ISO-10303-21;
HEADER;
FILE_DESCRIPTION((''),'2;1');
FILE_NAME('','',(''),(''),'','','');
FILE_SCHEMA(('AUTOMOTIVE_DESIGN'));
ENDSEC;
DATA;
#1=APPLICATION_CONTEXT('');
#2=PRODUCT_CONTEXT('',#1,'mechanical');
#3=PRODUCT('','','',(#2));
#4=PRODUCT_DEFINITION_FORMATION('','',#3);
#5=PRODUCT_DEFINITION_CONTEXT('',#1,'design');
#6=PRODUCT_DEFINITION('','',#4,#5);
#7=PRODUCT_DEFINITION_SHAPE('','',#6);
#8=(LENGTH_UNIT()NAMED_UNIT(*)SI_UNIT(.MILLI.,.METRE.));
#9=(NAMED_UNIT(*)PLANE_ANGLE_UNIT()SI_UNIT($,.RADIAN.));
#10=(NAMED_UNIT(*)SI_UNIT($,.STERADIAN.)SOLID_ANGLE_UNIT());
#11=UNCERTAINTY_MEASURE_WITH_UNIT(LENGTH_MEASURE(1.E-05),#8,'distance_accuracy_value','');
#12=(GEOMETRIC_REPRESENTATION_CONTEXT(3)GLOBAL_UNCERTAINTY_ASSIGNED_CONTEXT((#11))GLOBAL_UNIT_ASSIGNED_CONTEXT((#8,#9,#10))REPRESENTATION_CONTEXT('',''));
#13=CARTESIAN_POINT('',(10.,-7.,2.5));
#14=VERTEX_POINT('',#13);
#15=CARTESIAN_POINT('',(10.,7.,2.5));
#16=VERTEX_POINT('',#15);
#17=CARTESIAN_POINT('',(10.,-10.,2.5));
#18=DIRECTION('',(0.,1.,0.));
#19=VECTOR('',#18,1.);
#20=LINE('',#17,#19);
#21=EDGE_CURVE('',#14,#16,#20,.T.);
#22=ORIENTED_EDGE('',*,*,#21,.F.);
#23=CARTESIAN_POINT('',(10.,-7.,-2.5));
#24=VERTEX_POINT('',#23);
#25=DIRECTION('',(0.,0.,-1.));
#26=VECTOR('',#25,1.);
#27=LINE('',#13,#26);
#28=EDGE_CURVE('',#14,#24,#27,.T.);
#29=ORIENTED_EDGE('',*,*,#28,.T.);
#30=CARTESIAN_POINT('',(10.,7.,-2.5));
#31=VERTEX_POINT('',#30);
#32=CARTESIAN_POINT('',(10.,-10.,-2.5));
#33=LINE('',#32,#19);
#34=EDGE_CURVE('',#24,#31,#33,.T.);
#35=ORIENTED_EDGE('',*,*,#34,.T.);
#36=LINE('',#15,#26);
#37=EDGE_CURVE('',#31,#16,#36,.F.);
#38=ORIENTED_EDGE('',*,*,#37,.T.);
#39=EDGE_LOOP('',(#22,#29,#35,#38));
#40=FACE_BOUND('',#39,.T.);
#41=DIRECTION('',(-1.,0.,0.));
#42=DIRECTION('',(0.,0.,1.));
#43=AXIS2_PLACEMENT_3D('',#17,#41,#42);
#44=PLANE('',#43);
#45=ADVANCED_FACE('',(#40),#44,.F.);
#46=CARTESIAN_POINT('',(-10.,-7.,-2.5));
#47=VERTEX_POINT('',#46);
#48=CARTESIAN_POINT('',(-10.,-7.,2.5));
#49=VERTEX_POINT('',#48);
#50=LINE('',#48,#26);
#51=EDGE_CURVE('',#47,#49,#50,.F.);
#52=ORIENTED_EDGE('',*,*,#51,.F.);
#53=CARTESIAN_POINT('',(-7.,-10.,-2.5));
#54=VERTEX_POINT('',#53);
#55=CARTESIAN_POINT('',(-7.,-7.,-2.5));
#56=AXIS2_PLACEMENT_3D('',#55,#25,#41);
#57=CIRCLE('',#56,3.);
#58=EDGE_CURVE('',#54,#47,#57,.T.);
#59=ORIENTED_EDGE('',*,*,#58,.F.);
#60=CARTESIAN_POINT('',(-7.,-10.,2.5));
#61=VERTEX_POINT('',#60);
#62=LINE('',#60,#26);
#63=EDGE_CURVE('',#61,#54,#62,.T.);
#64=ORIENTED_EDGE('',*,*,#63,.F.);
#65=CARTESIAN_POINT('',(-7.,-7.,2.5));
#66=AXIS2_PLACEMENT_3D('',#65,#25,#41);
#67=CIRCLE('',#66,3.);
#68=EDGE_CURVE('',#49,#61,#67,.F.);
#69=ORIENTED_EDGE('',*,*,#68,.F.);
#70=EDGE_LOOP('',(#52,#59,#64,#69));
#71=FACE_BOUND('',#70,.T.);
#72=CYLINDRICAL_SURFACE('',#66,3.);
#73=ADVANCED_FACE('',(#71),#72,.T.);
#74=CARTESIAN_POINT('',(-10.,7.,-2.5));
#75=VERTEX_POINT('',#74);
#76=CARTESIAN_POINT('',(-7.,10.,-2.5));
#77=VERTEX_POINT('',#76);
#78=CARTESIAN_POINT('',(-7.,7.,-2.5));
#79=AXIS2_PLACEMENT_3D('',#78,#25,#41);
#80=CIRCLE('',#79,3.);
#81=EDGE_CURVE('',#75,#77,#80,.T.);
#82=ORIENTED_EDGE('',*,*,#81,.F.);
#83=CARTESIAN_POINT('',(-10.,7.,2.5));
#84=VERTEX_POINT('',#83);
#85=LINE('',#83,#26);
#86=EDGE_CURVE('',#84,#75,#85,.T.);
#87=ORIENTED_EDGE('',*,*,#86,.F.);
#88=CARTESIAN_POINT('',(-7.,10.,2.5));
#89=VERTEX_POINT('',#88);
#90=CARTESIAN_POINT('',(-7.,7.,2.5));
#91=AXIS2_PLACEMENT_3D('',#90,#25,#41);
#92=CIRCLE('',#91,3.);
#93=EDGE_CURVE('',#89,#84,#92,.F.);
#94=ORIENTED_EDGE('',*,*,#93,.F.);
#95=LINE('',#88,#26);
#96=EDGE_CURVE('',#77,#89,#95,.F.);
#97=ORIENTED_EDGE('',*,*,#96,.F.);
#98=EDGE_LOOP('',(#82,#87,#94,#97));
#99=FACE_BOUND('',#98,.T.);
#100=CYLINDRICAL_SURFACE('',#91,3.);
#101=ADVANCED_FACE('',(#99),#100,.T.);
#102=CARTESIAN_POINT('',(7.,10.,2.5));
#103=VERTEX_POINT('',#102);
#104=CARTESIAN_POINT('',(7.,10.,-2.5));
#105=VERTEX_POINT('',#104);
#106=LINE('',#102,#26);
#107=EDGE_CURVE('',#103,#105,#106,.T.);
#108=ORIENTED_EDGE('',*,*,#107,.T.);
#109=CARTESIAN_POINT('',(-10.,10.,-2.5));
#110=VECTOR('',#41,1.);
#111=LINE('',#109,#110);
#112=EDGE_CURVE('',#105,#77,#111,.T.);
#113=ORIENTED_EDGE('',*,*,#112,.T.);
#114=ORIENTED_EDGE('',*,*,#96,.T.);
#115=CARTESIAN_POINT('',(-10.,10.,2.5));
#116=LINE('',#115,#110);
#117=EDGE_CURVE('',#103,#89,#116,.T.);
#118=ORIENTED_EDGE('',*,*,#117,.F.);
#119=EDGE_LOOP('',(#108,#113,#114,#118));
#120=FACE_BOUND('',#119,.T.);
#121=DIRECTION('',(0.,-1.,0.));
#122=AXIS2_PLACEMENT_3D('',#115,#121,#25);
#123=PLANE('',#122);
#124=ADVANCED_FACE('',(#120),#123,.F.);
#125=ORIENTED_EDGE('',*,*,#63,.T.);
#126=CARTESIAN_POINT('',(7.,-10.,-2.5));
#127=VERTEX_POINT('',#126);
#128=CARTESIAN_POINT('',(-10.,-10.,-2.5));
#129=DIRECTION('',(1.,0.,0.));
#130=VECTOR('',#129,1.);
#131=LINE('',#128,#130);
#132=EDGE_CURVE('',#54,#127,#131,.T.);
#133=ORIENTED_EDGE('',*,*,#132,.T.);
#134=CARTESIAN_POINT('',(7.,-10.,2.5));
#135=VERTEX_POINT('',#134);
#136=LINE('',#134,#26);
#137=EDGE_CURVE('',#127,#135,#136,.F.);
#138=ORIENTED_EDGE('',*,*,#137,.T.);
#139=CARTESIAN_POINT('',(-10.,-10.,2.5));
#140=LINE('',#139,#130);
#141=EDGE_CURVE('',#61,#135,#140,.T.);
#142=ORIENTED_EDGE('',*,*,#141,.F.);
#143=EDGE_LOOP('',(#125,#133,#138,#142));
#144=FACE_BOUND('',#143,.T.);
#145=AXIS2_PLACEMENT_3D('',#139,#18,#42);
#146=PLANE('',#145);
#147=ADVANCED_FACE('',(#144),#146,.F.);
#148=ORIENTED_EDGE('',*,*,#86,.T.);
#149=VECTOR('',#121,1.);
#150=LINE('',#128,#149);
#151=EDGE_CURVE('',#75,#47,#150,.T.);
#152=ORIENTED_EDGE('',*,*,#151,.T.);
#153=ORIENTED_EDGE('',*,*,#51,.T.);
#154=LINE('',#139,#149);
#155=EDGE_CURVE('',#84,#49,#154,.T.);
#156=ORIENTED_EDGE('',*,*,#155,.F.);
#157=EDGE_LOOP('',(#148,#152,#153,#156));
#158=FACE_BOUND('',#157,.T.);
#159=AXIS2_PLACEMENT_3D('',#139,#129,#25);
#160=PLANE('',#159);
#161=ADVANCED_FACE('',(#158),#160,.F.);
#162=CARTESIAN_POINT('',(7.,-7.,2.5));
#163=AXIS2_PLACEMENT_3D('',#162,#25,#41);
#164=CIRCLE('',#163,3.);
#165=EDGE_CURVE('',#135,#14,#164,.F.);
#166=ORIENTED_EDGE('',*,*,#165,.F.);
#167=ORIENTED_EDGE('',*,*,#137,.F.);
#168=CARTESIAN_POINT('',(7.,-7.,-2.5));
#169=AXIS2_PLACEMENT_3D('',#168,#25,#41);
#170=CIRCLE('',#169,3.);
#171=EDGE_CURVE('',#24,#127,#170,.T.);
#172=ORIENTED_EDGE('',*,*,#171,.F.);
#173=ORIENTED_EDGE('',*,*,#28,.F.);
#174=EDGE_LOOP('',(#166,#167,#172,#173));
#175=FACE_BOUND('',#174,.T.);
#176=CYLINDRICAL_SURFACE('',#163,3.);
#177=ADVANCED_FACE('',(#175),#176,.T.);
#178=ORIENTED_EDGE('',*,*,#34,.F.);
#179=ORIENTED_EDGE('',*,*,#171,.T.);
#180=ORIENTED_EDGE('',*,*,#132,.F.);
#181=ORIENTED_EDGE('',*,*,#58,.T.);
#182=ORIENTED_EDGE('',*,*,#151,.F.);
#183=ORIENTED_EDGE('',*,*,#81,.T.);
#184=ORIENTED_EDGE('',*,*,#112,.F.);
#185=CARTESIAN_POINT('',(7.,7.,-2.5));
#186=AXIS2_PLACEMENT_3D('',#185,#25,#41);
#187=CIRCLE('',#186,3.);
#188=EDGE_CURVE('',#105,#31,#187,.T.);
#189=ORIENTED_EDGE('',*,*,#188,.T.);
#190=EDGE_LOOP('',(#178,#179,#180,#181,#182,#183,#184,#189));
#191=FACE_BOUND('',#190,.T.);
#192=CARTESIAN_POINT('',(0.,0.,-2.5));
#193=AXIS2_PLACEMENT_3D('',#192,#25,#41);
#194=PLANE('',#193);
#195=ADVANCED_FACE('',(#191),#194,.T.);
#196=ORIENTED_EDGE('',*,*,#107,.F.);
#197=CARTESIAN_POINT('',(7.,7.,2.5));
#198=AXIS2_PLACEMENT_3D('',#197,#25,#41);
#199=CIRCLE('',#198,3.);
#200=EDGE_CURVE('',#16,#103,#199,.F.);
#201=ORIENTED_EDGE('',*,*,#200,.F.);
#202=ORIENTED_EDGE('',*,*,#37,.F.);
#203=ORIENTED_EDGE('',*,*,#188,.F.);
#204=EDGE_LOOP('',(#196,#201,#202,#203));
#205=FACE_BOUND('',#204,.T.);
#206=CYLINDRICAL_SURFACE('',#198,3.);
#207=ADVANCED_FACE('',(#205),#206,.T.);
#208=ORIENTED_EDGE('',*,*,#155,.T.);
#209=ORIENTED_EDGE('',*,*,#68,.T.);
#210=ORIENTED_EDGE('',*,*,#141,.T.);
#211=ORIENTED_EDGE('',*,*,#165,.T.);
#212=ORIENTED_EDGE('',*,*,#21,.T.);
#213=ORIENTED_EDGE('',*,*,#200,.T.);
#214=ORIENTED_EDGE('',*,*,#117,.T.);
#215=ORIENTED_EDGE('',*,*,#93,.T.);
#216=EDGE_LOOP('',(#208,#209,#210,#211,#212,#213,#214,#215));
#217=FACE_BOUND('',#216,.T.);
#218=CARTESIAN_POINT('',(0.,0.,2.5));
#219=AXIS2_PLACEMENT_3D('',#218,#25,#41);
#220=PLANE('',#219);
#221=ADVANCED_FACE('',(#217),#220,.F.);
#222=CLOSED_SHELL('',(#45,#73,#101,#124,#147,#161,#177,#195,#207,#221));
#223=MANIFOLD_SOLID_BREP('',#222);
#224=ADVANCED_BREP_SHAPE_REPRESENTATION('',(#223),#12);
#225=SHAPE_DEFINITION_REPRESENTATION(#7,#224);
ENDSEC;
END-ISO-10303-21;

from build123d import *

# Parameters (mm, degrees)
SKETCH1_W           = 20
SKETCH1_H           = 20
BOSS_EXTRUDE1_DEPTH = 2.5
FILLET1_R           = 3


with BuildPart() as part:
    # Sketch1 → Boss-Extrude1 (new, symmetric)
    with BuildSketch(Plane.XY):
        Rectangle(SKETCH1_W, SKETCH1_H)
    extrude(amount=BOSS_EXTRUDE1_DEPTH, both=True)

    # Fillet1
    fillet1_edges = [part.edges().sort_by_distance(p)[0] for p in [
        (10, -10, 0),
        (-10, -10, 0),
        (-10, 10, 0),
        (10, 10, 0),
    ]]
    fillet(fillet1_edges, radius=FILLET1_R)


solid = part.part
